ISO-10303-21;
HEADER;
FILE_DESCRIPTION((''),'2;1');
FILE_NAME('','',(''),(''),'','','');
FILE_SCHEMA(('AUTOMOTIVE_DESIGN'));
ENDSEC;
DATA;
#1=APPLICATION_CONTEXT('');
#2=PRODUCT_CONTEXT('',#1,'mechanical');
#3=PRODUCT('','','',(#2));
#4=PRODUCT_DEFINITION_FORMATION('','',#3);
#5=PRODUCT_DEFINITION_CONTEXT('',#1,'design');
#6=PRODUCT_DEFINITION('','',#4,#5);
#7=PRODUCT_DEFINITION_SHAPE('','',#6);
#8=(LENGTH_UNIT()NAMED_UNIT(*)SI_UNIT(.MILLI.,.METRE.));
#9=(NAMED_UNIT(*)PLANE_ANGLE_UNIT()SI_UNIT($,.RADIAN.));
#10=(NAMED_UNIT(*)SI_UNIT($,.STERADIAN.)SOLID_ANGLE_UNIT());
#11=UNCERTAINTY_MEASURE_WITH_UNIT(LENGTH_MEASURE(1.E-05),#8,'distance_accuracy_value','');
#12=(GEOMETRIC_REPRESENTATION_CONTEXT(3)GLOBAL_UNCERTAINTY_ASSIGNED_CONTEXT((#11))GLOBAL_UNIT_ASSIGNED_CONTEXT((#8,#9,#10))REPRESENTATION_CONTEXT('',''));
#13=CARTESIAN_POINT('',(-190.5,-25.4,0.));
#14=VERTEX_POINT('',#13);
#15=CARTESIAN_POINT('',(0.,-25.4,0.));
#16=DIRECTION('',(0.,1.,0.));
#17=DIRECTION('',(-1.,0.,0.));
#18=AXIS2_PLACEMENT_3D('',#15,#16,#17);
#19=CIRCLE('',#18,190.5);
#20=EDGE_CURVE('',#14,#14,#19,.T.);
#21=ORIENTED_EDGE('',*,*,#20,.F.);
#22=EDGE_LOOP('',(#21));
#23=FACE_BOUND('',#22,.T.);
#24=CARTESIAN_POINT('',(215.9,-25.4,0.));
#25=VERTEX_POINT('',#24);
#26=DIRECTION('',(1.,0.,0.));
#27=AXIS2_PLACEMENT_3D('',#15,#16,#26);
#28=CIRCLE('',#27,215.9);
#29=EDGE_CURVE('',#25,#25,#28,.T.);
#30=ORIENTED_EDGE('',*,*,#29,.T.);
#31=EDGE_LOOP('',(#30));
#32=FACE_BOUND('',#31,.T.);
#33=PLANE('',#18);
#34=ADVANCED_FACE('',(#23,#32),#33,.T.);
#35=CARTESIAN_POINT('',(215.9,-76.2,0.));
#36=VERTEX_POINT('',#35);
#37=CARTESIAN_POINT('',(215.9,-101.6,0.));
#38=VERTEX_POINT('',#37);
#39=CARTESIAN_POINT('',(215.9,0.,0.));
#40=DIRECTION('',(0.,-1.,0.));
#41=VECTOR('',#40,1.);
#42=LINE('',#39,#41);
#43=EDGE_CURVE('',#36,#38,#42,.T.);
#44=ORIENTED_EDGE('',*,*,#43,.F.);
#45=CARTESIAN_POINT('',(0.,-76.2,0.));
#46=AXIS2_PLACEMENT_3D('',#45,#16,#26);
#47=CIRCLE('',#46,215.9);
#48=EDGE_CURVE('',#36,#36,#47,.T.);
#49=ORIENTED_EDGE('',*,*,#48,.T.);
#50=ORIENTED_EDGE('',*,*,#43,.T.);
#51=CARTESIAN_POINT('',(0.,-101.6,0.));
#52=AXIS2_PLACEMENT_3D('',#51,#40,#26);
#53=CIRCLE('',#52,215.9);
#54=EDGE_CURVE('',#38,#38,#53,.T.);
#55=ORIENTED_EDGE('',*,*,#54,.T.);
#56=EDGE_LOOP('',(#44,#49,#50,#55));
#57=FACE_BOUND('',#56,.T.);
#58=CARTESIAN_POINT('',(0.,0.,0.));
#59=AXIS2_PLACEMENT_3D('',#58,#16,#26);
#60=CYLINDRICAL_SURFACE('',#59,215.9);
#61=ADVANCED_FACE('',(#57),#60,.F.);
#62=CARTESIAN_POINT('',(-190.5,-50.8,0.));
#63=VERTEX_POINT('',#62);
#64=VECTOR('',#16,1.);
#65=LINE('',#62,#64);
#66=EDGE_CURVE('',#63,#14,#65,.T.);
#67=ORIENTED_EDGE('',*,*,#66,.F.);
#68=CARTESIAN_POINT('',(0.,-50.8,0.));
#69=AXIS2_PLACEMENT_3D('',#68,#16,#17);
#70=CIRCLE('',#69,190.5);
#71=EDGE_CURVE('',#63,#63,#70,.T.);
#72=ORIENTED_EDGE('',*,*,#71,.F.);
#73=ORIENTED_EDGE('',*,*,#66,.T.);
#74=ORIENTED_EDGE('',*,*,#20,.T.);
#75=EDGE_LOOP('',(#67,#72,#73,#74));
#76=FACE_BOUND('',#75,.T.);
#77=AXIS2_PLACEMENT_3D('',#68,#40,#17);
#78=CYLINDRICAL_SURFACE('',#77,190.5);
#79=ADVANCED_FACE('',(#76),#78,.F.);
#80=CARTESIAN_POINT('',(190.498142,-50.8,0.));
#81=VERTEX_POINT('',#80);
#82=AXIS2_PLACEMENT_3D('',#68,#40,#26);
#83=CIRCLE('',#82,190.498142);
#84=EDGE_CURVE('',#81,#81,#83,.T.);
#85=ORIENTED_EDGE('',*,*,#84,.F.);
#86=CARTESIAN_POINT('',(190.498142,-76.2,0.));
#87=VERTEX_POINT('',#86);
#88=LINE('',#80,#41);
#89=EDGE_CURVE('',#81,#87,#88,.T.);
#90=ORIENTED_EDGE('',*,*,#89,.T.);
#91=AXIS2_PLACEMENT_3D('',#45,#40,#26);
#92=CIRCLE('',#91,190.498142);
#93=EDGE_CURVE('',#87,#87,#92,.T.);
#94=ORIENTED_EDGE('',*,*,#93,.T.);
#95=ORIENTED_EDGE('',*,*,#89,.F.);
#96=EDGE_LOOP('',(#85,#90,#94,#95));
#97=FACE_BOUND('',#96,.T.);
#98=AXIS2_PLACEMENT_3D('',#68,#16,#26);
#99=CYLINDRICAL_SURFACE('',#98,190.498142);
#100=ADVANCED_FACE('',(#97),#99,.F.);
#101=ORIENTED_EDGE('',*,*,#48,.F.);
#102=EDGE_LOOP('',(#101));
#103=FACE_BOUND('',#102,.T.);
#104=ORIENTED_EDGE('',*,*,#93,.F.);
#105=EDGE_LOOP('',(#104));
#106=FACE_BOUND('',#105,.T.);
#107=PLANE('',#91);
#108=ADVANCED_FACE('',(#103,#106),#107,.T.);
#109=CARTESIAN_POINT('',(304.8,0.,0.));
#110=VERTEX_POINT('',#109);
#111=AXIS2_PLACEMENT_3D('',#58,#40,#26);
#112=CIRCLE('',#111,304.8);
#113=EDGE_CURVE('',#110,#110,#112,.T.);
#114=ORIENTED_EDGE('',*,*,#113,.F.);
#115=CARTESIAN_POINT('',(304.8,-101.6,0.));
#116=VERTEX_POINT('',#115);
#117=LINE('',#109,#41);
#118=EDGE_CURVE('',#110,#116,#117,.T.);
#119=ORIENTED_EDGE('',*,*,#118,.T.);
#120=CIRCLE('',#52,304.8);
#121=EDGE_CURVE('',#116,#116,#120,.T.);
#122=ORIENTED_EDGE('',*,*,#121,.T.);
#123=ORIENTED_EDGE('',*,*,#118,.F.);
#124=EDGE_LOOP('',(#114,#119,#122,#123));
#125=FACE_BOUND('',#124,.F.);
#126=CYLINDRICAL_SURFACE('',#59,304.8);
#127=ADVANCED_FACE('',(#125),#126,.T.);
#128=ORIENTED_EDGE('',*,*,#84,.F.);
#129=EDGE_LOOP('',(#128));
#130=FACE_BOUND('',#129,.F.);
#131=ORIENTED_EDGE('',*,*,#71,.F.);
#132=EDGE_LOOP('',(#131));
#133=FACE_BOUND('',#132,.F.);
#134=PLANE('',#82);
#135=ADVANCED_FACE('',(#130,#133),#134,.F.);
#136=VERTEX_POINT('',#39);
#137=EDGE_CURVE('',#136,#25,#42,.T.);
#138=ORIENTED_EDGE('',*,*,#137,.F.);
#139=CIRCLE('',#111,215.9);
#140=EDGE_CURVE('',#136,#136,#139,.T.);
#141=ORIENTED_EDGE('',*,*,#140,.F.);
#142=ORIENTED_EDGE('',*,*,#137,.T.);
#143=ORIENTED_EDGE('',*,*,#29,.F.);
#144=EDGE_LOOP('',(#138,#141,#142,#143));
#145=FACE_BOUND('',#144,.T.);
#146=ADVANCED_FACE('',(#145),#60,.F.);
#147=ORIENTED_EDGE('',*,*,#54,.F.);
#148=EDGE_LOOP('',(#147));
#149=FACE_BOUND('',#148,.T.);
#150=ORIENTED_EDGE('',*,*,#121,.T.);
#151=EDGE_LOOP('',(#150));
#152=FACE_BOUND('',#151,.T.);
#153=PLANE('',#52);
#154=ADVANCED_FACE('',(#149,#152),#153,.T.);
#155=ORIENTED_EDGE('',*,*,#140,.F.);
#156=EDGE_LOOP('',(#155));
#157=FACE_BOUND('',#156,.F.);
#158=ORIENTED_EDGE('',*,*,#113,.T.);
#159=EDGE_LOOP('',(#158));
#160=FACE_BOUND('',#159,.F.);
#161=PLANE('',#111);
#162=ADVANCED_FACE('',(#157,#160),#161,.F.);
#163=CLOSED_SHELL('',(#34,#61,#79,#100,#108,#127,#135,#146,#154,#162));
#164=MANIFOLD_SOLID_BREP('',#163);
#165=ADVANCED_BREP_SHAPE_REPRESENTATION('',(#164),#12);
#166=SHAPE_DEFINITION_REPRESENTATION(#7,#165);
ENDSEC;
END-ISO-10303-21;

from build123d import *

# Parameters (mm, degrees)
F0_R     = 304.8
F0_R_2   = 215.9
F1_DEPTH = 101.6
F3_R     = 224.342738
F3_R_2   = 190.498142
F4_DEPTH = 25.4
F5_R     = 221.566577
F5_R_2   = 190.5
F6_DEPTH = 25.4


with BuildPart() as f1:
    # F0 (on Front) → F1 (new body)
    with BuildSketch(Plane.XZ):
        Circle(F0_R)
        Circle(F0_R_2, mode=Mode.SUBTRACT)
    extrude(amount=F1_DEPTH)

    # F3 (on offset) → F4 (join)
    with BuildSketch(Plane.XZ.offset(50.8)):
        Circle(F3_R)
        Circle(F3_R_2, mode=Mode.SUBTRACT)
    extrude(amount=F4_DEPTH)

    # F5 (on face) → F6 (join)
    with BuildSketch(Plane(origin=(0, -50.8, 0), x_dir=(-1, 0, 0), z_dir=(0, 1, 0))):
        Circle(F5_R)
        Circle(F5_R_2, mode=Mode.SUBTRACT)
    extrude(amount=F6_DEPTH)


solid = f1.part
